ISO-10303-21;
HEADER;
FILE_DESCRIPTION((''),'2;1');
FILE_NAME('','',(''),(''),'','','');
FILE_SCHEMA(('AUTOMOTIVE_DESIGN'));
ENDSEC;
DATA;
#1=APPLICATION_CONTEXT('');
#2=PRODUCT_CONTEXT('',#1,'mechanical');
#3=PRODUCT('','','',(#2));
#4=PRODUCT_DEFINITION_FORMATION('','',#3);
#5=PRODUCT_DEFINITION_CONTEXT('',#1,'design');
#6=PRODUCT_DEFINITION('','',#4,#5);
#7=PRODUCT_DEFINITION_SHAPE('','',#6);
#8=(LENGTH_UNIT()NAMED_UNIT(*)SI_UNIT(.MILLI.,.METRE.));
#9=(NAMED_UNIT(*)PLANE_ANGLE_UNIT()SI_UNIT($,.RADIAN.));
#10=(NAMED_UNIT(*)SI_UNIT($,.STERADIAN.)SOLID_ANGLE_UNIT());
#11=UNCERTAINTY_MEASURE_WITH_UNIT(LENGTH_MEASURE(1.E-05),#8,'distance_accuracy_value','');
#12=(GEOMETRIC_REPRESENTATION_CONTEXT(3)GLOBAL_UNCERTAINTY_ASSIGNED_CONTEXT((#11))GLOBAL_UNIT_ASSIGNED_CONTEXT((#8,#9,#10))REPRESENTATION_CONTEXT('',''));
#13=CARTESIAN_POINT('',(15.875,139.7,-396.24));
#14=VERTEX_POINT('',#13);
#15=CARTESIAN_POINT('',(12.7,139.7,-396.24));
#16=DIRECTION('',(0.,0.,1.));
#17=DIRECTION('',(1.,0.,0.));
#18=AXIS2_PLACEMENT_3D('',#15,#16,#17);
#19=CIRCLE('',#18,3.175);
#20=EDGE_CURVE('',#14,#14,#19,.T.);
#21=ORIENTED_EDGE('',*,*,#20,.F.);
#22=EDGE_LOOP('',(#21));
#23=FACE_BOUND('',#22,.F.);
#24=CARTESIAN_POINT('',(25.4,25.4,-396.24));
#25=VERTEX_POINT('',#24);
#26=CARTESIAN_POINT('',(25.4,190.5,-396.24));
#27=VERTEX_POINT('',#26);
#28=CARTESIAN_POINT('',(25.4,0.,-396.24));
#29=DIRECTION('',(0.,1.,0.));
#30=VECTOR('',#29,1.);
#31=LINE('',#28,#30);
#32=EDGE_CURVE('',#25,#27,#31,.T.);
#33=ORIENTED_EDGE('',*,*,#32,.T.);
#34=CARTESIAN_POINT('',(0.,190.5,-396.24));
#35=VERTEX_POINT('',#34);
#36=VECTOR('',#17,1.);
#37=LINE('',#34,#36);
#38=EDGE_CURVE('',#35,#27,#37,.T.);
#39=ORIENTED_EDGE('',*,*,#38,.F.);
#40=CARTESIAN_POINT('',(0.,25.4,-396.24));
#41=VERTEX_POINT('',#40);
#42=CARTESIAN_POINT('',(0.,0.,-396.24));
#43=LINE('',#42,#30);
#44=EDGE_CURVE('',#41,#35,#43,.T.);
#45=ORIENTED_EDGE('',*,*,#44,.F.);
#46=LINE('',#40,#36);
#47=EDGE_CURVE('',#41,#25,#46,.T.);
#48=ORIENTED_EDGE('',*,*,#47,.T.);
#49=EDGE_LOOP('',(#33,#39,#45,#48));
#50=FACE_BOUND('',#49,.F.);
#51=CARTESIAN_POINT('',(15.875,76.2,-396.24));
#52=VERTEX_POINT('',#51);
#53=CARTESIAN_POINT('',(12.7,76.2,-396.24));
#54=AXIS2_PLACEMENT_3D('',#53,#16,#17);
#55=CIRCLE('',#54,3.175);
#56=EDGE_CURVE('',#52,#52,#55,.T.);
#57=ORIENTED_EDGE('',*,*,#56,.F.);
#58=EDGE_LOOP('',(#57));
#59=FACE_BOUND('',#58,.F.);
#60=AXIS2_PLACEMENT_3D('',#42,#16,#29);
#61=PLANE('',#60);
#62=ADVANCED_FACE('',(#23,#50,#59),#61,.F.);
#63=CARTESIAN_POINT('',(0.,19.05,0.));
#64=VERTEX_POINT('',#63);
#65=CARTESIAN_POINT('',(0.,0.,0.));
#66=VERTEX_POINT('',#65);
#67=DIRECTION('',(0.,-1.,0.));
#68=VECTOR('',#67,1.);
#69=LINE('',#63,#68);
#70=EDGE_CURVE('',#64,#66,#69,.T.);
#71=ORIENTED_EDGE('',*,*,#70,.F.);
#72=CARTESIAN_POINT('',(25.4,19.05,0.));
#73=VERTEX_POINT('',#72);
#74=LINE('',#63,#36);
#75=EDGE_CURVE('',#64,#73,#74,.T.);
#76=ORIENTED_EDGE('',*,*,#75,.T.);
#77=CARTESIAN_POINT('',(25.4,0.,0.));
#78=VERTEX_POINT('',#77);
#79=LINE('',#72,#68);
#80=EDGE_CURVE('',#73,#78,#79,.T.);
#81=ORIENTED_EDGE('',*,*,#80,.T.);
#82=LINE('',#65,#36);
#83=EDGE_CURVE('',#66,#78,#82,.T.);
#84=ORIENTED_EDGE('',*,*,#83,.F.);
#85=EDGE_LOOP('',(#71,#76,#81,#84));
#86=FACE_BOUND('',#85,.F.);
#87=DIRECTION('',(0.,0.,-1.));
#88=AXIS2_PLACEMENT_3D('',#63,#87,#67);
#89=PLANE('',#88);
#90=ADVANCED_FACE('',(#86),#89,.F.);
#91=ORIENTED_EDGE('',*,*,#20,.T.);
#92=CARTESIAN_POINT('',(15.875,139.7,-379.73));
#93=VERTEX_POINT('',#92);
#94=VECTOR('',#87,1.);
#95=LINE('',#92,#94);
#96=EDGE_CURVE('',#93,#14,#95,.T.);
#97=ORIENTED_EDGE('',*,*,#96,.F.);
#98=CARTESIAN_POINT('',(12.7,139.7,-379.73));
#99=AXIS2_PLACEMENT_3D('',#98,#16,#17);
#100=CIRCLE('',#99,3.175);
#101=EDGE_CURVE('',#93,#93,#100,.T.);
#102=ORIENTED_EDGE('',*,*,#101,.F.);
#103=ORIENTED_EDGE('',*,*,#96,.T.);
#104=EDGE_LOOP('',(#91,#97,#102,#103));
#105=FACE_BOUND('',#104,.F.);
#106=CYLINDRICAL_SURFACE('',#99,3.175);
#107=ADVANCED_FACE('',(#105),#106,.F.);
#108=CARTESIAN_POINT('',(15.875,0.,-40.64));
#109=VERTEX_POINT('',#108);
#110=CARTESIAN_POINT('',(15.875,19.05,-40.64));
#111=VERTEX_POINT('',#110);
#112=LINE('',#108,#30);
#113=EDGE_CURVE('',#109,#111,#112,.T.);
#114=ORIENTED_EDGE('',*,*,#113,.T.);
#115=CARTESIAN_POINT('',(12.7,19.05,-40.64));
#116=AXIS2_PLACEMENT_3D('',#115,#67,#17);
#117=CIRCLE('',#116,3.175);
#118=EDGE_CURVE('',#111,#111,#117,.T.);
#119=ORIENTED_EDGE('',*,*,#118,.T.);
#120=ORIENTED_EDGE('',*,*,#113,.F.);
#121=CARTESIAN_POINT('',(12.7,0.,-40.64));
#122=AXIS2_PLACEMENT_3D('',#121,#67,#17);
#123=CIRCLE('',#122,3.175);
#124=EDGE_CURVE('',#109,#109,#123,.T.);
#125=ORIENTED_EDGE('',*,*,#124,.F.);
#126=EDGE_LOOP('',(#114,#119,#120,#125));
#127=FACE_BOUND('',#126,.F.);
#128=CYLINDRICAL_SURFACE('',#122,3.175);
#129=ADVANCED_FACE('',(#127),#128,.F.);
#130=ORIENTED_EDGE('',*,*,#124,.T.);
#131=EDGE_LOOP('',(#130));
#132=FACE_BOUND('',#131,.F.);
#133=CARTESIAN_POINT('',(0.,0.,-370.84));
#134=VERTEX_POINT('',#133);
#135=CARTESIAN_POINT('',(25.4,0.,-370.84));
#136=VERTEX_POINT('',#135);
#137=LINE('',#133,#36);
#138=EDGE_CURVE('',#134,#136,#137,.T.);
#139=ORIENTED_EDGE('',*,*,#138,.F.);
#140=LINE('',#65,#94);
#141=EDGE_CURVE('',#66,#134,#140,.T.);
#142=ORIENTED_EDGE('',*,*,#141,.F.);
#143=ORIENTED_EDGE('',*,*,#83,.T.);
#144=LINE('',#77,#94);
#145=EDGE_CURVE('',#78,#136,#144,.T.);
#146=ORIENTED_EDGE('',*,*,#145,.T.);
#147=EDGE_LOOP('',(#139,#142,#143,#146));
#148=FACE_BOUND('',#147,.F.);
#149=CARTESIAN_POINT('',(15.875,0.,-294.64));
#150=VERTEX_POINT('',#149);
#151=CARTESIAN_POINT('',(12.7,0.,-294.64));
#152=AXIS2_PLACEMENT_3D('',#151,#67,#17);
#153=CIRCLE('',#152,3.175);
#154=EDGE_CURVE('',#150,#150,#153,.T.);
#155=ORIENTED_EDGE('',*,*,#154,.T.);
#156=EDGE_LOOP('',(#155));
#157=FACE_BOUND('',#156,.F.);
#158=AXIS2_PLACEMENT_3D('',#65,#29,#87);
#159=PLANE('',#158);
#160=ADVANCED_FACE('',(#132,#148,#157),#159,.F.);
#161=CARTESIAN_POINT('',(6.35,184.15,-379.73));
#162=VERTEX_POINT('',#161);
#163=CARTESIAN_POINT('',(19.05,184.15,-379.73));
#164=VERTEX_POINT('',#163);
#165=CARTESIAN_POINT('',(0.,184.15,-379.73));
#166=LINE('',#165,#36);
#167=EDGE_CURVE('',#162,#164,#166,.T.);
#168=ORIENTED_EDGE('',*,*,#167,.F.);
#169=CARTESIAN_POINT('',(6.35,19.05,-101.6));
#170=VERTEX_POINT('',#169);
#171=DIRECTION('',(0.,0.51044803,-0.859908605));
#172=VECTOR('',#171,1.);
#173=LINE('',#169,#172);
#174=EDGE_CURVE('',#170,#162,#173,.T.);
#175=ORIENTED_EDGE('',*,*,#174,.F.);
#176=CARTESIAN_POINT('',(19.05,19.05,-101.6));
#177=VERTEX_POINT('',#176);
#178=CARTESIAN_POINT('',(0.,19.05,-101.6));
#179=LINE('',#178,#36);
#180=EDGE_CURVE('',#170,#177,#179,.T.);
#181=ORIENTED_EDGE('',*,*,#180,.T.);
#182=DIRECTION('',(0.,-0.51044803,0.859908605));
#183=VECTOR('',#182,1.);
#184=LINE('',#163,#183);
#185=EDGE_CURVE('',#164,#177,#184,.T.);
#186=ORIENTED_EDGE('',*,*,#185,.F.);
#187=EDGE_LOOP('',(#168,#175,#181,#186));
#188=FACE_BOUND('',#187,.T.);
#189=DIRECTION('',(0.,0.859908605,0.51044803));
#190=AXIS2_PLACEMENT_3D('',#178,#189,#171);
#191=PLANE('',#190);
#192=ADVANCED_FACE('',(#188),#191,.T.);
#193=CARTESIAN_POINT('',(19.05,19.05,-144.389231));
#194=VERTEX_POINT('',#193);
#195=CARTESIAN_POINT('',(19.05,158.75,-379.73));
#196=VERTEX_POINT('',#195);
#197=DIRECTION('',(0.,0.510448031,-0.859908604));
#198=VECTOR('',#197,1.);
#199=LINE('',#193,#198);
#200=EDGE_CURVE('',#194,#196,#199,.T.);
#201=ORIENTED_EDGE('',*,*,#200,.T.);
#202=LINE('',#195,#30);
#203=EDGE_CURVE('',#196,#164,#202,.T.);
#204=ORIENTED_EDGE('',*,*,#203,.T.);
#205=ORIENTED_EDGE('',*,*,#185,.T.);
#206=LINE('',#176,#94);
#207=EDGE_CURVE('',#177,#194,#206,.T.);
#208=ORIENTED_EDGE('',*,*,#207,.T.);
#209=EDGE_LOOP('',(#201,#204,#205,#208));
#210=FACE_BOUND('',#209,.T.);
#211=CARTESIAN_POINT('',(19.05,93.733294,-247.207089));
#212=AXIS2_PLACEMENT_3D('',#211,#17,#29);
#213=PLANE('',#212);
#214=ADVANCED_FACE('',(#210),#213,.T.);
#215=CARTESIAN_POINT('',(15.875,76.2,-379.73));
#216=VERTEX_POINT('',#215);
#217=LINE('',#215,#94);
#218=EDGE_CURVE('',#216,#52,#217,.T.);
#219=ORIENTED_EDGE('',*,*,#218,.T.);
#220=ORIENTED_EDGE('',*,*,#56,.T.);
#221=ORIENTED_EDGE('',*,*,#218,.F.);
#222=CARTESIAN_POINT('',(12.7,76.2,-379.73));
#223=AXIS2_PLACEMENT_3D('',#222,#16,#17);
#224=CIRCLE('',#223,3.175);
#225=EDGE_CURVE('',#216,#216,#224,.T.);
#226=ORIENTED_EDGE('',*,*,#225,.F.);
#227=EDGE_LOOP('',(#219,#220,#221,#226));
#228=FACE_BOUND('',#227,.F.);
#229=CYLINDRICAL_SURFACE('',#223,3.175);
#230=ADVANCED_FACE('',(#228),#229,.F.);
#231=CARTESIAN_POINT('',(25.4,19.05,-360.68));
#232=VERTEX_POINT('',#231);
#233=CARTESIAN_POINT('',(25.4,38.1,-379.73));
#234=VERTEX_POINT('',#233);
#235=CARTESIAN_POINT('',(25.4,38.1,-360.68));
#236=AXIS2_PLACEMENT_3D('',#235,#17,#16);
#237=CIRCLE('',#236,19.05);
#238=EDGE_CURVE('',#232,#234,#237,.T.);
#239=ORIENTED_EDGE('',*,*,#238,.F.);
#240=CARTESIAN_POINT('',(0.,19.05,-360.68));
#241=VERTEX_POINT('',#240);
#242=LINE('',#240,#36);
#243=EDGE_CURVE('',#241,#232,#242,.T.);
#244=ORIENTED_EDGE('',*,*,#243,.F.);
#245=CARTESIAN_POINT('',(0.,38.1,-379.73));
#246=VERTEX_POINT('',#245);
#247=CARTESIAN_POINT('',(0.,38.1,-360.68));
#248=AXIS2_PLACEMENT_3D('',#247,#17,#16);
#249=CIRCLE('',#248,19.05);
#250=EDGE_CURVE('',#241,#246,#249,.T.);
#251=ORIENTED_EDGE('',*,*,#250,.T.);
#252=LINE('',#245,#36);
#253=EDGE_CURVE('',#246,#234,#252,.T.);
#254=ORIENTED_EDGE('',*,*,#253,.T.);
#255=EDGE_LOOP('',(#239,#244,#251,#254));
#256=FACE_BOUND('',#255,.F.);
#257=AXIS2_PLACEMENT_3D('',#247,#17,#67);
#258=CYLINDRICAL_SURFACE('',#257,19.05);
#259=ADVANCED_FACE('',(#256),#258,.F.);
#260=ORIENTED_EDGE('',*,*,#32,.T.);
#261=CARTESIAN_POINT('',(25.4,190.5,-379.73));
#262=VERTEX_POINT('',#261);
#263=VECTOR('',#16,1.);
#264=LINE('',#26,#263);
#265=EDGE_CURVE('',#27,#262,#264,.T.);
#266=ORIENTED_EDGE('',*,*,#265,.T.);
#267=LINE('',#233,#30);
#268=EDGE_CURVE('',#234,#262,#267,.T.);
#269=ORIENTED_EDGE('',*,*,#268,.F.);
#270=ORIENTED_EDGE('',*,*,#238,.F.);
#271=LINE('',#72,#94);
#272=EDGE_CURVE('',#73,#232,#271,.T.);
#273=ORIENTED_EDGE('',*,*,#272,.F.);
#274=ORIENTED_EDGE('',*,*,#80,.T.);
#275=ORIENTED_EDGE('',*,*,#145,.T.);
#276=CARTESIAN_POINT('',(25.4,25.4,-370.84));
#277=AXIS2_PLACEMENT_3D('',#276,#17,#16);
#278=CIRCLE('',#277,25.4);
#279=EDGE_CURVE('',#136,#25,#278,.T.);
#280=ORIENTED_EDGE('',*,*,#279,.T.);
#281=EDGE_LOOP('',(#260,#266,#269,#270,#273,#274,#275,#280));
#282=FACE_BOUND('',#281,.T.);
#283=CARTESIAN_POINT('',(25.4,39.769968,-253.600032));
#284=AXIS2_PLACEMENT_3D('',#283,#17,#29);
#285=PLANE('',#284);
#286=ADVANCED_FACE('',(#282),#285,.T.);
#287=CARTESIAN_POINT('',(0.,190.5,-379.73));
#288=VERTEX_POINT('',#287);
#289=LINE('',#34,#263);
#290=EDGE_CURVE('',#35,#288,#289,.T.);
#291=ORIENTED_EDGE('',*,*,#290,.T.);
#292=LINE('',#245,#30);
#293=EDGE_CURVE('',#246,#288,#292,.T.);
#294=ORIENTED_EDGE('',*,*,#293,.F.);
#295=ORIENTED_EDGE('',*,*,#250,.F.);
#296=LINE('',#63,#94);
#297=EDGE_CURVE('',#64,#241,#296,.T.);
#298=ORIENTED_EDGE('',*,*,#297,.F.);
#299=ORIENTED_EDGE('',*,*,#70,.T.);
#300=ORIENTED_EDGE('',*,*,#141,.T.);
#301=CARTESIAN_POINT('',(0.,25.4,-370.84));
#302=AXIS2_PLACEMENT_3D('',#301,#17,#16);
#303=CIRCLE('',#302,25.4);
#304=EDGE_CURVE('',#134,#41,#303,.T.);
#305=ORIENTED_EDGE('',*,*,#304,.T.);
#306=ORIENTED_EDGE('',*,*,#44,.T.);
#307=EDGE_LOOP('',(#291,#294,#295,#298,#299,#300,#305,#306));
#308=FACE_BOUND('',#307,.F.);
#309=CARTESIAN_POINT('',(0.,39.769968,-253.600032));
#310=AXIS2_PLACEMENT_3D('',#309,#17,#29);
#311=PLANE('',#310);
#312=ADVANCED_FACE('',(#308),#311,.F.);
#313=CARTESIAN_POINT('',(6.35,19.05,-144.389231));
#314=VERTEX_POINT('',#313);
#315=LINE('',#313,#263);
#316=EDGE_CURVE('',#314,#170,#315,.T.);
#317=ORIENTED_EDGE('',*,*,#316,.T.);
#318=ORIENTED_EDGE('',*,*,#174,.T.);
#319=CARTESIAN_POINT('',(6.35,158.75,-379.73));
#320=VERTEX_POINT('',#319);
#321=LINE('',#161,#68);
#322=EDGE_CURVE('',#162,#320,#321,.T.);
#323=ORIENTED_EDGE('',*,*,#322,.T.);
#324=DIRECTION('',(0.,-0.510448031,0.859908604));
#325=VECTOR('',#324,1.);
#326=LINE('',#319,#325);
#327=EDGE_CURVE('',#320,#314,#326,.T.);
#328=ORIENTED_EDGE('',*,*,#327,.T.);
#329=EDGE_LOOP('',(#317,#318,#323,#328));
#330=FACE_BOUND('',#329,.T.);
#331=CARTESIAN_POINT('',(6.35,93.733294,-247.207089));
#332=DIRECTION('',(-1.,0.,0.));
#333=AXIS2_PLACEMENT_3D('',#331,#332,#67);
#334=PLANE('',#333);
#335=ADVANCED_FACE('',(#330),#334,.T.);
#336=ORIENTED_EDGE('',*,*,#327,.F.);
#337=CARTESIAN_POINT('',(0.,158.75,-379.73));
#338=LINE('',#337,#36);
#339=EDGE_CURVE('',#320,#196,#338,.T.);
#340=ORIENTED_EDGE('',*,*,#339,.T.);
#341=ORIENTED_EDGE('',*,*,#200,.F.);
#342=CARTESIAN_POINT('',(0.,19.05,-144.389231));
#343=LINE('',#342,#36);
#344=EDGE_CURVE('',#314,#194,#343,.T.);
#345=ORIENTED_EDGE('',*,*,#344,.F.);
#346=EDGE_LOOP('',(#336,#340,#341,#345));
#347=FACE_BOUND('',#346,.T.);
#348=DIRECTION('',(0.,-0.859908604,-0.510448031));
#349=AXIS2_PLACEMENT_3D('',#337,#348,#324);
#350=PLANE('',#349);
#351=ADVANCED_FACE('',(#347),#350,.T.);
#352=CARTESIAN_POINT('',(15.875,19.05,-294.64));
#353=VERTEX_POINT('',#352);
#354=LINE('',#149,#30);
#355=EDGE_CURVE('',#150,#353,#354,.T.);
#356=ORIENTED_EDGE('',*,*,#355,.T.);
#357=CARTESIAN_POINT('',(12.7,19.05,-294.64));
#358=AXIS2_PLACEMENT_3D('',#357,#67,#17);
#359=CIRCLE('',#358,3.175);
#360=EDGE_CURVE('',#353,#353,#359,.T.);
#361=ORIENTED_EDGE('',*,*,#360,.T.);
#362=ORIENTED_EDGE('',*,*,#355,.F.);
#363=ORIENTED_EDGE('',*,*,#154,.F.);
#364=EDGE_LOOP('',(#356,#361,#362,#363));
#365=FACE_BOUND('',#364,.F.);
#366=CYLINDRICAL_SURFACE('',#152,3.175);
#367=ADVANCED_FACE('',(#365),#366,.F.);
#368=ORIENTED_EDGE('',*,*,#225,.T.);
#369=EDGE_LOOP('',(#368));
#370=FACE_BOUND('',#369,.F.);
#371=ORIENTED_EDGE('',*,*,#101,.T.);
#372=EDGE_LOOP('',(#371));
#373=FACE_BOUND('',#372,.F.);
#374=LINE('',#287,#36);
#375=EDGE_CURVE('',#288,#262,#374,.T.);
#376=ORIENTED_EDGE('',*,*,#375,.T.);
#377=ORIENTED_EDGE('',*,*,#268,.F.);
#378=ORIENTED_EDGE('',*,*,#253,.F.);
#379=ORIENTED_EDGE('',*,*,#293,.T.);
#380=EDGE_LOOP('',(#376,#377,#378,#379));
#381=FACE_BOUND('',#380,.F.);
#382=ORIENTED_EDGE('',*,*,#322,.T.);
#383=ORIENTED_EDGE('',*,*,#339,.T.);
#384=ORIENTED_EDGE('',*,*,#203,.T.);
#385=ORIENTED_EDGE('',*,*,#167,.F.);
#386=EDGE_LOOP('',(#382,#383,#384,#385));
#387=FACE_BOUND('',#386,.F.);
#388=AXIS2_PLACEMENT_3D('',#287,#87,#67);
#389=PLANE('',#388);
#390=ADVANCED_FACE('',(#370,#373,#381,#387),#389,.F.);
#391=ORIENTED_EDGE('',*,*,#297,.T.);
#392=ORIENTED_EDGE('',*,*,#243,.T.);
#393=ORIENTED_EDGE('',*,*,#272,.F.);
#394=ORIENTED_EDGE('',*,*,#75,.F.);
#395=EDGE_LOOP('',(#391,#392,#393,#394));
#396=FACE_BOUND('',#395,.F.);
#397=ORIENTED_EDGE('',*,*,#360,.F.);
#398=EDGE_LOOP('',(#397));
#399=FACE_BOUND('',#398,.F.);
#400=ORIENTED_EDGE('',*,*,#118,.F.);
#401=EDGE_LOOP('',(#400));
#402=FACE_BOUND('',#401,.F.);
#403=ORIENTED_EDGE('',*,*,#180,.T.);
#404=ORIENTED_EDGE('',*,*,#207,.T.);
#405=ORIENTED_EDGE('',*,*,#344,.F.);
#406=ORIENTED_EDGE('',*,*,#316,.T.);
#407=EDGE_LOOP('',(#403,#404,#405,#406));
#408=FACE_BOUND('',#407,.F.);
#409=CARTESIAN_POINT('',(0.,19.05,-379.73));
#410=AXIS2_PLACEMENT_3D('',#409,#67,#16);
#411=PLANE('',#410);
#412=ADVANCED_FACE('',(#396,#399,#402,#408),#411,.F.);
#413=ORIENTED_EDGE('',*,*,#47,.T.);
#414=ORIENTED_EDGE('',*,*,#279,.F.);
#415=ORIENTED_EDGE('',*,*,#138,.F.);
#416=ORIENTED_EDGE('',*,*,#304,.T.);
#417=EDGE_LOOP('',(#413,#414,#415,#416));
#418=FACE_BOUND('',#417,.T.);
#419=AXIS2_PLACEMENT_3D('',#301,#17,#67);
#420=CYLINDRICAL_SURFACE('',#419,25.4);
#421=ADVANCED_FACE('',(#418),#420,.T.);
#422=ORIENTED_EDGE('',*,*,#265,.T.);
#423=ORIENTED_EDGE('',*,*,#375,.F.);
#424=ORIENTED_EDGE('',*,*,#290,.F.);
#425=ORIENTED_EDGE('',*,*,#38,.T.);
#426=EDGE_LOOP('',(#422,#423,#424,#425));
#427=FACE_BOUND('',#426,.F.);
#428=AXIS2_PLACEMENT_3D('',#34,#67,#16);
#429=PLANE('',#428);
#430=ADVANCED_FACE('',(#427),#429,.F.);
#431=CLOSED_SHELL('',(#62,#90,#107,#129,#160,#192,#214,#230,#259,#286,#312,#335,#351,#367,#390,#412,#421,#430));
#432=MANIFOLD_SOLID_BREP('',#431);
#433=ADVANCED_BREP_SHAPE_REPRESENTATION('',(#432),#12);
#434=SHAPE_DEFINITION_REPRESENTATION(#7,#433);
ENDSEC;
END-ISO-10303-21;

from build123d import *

# Parameters (mm, degrees)
F1_DEPTH  = 25.4
F2_R      = 25.4
F3_R      = 19.05
F5_DEPTH  = 25.4
F7_DEPTH  = 6.35
F9_DEPTH  = 6.35
F10_R     = 3.175
F11_DEPTH = 25.4
F12_R     = 3.175
F13_DEPTH = 25.4


with BuildPart() as f1:
    # F0 (on Right) → F1 (new body)
    with BuildSketch(Plane.YZ):
        Polygon((19.05, 0), (0, 0), (0, -396.24), (190.5, -396.24), (190.5, -379.73), (19.05, -379.73), align=None)
    extrude(amount=F1_DEPTH)

    # F2
    f2_edges = [f1.edges().sort_by_distance(p)[0] for p in [
        (12.7, 0, -396.24),
    ]]
    fillet(f2_edges, radius=F2_R)

    # F3
    f3_edges = [f1.edges().sort_by_distance(p)[0] for p in [
        (12.7, 19.05, -379.73),
    ]]
    fillet(f3_edges, radius=F3_R)

    # F4 (on face) → F5 (join)
    with BuildSketch(Plane(origin=(0, 0, 0), x_dir=(0, -1, 0), z_dir=(-1, 0, 0))):
        Polygon((-19.05, -101.6), (-184.15, -379.73), (-158.75, -379.73), (-19.05, -144.389231), align=None)
    extrude(amount=-F5_DEPTH)

    # F6 (on face) → F7 (cut)
    with BuildSketch(Plane(origin=(0, 0, 0), x_dir=(0, -1, 0), z_dir=(-1, 0, 0))):
        Polygon((-19.05, -144.389231), (-19.05, -101.6), (-184.15, -379.73), (-158.75, -379.73), align=None)
    extrude(amount=-F7_DEPTH, mode=Mode.SUBTRACT)

    # F8 (on face) → F9 (cut)
    with BuildSketch(Plane.YZ.offset(25.4)):
        Polygon((158.75, -379.73), (184.15, -379.73), (19.05, -101.6), (19.05, -144.389231), align=None)
    extrude(amount=-F9_DEPTH, mode=Mode.SUBTRACT)

    # F10 (on face) → F11 (cut)
    with BuildSketch(Plane.XY.offset(-379.73)):
        with Locations((12.7, 76.2)):
            Circle(F10_R)
        with Locations((12.7, 139.7)):
            Circle(F10_R)
    extrude(amount=-F11_DEPTH, mode=Mode.SUBTRACT)

    # F12 (on face) → F13 (cut)
    with BuildSketch(Plane.XZ):
        with Locations((12.7, -40.64)):
            Circle(F12_R)
        with Locations((12.7, -294.64)):
            Circle(F12_R)
    extrude(amount=-F13_DEPTH, mode=Mode.SUBTRACT)


solid = f1.part
